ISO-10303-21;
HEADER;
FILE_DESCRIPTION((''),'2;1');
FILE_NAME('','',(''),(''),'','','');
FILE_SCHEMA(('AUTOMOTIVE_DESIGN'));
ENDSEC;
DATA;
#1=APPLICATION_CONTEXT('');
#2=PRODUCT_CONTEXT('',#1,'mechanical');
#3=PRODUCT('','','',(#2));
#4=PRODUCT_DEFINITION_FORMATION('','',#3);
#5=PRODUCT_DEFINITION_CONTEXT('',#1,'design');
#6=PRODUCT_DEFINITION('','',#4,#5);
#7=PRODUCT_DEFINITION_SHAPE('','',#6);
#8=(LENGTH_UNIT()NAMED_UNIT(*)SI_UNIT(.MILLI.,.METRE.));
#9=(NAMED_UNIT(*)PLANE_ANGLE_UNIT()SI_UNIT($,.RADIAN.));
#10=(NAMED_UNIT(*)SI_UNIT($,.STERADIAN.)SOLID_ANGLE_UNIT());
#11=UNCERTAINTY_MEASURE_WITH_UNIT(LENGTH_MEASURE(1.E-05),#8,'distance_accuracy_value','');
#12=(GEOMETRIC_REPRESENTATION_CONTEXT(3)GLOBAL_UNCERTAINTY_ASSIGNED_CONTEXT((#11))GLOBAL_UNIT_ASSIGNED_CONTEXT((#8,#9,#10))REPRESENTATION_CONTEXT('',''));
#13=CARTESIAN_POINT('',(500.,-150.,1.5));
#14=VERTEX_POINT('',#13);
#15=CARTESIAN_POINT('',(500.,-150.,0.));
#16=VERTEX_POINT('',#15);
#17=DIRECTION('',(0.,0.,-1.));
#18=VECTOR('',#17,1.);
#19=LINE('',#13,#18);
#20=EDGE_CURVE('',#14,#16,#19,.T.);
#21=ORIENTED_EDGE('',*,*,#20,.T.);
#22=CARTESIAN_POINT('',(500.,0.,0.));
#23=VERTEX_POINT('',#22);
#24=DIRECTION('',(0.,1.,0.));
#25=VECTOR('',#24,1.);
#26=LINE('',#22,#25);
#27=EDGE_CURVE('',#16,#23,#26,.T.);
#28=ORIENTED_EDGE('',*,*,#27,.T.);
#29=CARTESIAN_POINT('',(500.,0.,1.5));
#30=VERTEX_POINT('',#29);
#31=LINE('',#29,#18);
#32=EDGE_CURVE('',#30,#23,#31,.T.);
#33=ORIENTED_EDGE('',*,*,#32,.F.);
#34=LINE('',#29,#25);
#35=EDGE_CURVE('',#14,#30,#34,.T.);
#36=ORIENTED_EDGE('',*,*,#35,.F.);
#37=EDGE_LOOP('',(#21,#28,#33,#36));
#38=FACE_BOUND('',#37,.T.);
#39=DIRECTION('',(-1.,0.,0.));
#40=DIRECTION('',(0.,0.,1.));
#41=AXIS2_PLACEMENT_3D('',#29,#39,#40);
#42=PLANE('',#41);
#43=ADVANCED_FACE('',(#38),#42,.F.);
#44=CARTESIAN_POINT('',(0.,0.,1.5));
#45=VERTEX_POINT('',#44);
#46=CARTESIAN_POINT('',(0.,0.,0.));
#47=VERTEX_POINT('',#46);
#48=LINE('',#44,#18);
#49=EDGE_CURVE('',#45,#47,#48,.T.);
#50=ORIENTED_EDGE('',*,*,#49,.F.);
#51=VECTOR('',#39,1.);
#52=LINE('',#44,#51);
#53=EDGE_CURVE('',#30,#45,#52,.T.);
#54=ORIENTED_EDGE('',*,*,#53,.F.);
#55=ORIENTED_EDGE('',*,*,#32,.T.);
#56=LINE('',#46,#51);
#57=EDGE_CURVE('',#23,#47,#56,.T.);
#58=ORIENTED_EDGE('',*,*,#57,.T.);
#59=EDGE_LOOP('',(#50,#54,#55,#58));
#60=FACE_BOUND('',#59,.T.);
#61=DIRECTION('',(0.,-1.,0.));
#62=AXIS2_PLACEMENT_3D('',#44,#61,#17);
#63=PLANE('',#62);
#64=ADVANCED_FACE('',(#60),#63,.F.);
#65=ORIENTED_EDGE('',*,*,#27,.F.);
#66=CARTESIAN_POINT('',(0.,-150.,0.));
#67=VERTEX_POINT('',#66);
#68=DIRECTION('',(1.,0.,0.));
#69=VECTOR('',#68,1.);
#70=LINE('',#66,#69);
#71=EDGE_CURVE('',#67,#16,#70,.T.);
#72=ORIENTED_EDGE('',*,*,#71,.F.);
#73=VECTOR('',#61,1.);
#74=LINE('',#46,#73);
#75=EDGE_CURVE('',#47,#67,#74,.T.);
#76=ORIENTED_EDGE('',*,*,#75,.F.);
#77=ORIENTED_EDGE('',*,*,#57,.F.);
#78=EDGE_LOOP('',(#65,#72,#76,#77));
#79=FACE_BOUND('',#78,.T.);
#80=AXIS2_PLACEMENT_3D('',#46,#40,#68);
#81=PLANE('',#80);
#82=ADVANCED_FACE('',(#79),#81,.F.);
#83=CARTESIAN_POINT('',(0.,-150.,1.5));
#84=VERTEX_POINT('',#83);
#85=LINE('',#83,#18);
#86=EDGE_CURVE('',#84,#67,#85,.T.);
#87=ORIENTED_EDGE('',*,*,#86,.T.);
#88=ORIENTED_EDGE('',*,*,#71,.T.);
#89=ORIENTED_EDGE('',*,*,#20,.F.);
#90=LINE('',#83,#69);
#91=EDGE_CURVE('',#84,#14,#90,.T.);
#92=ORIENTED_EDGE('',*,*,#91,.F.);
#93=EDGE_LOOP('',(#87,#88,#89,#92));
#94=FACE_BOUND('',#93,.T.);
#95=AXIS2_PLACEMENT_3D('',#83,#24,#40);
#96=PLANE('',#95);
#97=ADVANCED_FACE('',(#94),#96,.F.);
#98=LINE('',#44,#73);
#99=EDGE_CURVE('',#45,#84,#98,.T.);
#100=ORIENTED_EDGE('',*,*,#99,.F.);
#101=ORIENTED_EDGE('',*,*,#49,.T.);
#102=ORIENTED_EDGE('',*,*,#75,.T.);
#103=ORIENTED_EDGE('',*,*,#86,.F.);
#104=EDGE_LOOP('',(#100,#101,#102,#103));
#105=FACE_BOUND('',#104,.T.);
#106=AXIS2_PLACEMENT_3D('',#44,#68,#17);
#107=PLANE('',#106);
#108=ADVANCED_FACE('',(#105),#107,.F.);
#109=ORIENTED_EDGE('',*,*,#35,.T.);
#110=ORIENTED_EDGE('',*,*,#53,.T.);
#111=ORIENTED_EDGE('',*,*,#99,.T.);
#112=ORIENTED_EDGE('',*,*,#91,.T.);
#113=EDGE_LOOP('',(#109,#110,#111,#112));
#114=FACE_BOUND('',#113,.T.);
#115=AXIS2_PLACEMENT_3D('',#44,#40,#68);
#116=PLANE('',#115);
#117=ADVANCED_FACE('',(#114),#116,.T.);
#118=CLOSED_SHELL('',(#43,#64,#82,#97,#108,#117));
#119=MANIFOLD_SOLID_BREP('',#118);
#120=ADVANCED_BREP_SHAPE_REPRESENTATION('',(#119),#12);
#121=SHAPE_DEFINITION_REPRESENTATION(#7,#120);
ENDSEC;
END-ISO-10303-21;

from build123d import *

# Parameters (mm, degrees)
SKETCH1_W           = 500
SKETCH1_H           = 150
BOSS_EXTRUDE1_DEPTH = 1.5


with BuildPart() as part:
    # Sketch1 → Boss-Extrude1 (new body)
    with BuildSketch(Plane.XY):
        with Locations((250, -75)):
            Rectangle(SKETCH1_W, SKETCH1_H)
    extrude(amount=BOSS_EXTRUDE1_DEPTH)


solid = part.part
